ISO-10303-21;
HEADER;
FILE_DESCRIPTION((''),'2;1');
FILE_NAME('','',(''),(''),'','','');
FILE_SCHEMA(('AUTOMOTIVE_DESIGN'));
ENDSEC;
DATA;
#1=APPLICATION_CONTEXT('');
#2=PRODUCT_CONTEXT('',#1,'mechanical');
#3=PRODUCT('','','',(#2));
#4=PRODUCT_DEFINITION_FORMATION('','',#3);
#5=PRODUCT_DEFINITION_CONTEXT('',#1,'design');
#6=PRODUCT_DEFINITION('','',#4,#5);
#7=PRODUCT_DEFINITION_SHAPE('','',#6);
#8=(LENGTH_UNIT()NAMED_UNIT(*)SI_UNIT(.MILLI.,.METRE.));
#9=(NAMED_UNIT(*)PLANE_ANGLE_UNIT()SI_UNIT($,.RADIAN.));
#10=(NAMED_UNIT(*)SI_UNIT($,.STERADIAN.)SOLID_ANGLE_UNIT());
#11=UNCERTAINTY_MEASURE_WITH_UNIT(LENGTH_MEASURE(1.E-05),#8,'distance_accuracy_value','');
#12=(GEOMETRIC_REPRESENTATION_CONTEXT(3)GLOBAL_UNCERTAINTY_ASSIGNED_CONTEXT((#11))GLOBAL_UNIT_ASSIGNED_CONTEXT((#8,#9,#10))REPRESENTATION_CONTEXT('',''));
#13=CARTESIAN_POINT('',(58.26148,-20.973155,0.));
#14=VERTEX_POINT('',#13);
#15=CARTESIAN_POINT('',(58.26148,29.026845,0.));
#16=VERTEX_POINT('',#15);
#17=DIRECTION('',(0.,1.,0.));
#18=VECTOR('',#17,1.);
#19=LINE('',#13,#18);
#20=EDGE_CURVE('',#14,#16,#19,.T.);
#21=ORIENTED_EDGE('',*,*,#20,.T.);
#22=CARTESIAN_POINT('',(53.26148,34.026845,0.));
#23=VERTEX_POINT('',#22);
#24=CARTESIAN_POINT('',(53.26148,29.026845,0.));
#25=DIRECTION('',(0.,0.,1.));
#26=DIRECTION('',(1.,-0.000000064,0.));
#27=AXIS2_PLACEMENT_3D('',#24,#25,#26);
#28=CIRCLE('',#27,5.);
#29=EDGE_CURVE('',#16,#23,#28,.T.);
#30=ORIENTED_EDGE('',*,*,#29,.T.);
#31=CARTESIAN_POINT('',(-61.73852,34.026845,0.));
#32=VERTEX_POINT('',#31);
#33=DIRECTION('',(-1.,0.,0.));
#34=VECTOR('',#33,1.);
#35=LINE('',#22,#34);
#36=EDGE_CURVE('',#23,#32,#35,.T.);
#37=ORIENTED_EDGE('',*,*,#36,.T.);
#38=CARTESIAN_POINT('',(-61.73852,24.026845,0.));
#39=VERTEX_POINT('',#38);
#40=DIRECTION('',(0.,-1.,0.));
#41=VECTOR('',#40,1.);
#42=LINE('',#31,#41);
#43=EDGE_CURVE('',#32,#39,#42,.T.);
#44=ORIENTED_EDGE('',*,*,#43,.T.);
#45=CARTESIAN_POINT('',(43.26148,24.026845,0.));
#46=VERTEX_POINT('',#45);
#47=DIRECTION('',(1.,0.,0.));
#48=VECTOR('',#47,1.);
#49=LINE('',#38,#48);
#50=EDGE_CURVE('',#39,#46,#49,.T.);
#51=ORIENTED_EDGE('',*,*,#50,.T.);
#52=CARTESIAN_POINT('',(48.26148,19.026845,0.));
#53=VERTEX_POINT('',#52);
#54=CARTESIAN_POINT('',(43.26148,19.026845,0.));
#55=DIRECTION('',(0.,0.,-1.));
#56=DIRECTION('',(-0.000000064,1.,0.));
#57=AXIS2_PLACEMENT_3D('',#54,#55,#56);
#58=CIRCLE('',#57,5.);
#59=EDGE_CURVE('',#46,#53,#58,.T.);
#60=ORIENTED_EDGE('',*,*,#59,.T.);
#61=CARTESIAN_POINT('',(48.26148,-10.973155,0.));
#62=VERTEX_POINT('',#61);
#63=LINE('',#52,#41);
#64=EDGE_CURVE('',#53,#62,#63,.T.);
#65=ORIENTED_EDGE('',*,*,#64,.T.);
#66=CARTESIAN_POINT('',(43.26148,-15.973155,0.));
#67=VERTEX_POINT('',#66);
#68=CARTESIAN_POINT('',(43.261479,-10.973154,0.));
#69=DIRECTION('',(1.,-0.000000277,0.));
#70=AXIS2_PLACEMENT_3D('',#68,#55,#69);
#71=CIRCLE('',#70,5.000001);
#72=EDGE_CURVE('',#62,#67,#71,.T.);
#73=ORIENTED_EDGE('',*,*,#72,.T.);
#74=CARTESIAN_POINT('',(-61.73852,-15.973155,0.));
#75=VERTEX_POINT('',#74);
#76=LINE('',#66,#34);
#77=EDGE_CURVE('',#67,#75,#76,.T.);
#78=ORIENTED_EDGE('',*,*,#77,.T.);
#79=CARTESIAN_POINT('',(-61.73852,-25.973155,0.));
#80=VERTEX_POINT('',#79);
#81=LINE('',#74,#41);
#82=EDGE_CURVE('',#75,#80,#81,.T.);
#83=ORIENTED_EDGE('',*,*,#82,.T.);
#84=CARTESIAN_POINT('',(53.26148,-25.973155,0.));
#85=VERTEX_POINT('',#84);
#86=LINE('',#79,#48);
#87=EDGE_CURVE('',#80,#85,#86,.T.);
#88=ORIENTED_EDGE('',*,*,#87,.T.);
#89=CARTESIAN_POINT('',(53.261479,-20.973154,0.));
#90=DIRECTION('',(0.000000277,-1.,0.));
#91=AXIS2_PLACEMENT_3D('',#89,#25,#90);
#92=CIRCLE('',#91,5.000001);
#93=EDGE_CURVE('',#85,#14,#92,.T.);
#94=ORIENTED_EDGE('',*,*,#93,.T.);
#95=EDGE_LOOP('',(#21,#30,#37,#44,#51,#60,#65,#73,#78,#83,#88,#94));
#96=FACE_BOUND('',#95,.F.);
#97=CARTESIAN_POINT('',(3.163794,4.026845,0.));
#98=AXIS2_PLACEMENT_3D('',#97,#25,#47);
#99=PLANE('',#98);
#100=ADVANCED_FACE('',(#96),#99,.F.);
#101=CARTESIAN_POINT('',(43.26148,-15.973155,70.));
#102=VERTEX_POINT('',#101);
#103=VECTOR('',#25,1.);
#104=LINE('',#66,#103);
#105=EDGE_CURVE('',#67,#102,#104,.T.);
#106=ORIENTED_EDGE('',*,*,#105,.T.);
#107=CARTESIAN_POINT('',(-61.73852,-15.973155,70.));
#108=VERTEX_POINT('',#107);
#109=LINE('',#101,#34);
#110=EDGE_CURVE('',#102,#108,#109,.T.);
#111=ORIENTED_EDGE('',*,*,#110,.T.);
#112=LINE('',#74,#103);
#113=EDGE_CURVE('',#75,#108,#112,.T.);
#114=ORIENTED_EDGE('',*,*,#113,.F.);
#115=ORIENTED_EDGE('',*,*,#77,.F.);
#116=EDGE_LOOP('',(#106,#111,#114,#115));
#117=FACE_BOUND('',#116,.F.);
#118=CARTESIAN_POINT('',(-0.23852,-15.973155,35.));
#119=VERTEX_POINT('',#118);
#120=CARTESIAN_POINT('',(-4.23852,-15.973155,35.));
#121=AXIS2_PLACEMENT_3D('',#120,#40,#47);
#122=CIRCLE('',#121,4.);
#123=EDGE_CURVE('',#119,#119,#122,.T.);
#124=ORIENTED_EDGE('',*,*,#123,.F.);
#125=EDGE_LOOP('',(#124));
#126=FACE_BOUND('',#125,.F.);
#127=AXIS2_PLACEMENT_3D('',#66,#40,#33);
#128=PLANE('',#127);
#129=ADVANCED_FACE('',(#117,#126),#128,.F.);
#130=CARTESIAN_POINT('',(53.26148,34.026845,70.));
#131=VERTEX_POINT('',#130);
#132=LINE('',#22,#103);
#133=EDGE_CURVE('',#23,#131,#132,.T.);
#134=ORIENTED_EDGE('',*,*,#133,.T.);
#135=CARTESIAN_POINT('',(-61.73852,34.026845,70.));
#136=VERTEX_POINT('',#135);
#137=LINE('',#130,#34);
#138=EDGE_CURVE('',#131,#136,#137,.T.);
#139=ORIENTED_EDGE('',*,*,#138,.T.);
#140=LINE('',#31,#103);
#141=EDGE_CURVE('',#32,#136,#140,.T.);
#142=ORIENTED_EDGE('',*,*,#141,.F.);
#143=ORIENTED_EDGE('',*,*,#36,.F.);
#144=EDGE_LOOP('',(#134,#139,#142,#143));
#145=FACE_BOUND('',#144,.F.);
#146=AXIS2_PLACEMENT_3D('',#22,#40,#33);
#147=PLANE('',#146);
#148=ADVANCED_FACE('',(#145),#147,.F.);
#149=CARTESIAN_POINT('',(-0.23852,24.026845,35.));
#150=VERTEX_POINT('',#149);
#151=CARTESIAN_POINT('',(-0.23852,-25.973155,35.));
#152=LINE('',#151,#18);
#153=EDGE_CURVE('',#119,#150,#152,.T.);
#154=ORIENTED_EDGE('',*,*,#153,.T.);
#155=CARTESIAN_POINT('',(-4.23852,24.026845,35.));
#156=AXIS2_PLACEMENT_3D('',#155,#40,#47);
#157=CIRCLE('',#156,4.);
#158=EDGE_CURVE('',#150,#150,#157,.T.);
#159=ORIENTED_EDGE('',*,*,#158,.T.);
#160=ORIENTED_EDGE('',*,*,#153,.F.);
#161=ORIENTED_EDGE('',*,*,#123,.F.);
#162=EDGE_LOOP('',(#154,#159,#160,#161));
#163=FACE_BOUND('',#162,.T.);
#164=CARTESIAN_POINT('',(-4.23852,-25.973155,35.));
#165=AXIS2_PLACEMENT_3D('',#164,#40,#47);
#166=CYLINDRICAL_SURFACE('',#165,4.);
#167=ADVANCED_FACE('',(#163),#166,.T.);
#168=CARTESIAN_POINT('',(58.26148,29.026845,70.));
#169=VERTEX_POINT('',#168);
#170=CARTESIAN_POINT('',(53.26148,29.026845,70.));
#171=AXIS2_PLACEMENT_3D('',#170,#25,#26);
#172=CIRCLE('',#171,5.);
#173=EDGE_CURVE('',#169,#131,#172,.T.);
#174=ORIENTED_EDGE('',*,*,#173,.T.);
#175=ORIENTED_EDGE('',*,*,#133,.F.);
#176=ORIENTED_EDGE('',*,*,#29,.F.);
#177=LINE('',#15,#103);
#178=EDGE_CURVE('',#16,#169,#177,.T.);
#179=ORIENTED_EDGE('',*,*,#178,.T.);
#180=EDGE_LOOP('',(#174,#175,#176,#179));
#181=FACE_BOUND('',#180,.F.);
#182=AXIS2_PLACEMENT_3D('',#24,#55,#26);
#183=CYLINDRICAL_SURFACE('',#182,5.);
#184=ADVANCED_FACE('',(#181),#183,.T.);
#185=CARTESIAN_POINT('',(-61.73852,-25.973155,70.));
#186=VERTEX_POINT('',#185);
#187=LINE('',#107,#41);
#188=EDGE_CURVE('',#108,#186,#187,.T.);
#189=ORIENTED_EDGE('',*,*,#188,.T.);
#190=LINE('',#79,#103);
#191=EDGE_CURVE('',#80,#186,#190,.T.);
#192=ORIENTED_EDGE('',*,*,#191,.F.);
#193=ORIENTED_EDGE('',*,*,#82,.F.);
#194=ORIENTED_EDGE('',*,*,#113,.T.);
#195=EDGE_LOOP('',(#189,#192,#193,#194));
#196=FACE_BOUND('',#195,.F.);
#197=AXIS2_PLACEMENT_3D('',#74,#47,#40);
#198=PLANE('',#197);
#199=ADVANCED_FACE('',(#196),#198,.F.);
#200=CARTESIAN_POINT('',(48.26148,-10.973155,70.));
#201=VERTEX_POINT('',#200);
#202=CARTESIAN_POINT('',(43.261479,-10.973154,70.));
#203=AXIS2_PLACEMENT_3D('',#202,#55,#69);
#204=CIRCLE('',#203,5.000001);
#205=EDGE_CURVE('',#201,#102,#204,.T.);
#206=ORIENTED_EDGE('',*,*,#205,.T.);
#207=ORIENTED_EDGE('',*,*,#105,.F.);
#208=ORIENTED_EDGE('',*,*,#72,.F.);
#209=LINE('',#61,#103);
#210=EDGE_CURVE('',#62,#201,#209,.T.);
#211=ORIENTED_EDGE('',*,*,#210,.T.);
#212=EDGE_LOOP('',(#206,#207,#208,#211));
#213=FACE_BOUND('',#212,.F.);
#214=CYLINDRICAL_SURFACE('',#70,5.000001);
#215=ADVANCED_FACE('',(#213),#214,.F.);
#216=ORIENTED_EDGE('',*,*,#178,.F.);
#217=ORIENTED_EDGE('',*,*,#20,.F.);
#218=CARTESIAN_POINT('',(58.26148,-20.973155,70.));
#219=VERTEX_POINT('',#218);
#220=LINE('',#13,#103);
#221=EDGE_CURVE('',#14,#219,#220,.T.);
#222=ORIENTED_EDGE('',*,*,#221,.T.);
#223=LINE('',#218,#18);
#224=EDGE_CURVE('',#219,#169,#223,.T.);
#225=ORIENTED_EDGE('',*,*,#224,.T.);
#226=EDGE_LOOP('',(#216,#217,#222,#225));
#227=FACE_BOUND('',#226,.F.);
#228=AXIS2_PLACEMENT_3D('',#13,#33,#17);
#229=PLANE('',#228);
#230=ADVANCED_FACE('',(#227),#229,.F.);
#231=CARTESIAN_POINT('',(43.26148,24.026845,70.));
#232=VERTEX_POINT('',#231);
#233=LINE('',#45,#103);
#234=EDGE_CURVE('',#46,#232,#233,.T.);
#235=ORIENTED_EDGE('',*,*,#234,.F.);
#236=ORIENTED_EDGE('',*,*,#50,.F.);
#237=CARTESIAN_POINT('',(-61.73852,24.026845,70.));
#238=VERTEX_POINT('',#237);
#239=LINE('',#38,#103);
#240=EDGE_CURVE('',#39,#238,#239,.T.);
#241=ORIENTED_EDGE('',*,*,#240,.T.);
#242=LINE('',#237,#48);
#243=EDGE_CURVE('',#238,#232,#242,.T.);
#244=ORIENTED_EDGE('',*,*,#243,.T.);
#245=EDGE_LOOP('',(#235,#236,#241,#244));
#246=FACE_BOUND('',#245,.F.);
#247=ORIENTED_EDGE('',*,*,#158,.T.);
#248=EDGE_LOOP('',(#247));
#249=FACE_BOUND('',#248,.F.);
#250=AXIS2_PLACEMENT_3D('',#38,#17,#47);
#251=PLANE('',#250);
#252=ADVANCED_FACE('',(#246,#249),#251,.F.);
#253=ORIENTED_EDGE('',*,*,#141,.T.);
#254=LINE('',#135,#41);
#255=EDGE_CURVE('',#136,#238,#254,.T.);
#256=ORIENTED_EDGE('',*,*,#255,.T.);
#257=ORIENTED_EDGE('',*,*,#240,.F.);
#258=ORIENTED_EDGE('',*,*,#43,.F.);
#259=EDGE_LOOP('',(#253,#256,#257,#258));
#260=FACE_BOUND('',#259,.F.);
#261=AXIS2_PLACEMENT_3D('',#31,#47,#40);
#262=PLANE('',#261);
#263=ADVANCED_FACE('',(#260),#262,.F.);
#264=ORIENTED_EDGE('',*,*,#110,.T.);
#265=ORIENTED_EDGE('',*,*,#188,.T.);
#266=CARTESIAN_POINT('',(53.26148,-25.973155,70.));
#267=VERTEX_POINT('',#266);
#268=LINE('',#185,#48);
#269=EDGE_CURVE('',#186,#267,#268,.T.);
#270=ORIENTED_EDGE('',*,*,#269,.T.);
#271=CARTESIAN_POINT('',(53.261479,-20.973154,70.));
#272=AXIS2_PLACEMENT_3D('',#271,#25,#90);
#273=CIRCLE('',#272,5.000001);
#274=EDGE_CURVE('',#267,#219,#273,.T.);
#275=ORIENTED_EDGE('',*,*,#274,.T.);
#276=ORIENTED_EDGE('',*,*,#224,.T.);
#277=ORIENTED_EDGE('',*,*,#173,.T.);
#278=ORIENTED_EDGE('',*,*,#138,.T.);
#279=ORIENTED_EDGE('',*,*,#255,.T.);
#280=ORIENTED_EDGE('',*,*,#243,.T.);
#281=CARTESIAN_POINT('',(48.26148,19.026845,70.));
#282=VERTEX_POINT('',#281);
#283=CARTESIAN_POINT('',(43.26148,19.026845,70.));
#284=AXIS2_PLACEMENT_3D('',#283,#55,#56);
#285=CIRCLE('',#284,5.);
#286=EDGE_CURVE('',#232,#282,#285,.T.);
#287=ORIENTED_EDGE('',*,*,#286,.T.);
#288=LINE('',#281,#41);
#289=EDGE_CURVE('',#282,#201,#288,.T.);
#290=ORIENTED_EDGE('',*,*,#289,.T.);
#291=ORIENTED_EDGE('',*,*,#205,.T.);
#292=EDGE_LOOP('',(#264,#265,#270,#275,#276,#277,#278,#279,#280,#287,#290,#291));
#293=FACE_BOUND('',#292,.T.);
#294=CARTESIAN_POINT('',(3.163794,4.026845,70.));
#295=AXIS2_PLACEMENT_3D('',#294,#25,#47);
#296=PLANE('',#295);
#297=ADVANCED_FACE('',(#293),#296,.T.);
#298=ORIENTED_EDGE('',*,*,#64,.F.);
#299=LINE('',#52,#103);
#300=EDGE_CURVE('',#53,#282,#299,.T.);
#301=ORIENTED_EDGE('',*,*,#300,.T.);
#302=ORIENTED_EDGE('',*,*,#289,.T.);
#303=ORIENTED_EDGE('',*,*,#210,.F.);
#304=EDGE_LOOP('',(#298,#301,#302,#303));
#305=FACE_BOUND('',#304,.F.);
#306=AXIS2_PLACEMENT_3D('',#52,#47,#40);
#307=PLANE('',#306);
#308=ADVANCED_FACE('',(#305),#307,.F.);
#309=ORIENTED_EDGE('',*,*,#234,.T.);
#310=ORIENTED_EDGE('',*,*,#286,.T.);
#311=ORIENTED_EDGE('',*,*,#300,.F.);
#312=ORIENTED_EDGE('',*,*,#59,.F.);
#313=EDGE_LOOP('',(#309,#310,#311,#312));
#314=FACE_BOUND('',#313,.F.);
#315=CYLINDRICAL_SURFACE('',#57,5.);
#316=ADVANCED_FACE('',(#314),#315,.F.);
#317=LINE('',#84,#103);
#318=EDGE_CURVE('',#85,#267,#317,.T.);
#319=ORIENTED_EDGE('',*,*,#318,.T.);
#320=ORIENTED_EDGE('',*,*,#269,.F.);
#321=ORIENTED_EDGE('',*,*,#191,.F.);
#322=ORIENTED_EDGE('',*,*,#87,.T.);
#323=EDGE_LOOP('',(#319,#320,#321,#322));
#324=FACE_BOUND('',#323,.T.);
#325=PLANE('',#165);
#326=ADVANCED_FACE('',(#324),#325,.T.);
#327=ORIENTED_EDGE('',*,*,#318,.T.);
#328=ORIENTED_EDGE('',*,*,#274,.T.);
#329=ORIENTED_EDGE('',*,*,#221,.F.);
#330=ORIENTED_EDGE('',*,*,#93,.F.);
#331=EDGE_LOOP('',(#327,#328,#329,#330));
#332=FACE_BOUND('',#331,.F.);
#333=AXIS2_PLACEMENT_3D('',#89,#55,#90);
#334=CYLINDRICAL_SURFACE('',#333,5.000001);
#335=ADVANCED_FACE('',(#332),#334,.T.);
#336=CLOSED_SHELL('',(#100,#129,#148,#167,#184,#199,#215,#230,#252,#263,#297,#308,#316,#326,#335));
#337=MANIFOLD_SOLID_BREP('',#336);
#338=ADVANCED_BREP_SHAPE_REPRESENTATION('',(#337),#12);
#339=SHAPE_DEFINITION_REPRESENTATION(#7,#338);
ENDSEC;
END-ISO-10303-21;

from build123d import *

# Parameters (mm, degrees)
F1_DEPTH = 70
F2_R     = 4
F3_DEPTH = 50


with BuildPart() as f1:
    # F0 (on Top) → F1 (new body)
    with BuildSketch(Plane.XY):
        with BuildLine():
            Line((53.26148, 34.026845), (-61.73852, 34.026845))
            Line((-61.73852, 34.026845), (-61.73852, 24.026845))
            Line((-61.73852, 24.026845), (43.26148, 24.026845))
            ThreePointArc((43.26148, 24.026845), (46.797014, 22.562379), (48.26148, 19.026845))
            Line((48.26148, 19.026845), (48.26148, -10.973155))
            ThreePointArc((48.26148, -10.973155), (46.797014, -14.508688), (43.26148, -15.973155))
            Line((43.26148, -15.973155), (-61.73852, -15.973155))
            Line((-61.73852, -15.973155), (-61.73852, -25.973155))
            Line((-61.73852, -25.973155), (53.26148, -25.973155))
            ThreePointArc((53.26148, -25.973155), (56.797014, -24.508688), (58.26148, -20.973155))
            Line((58.26148, -20.973155), (58.26148, 29.026845))
            ThreePointArc((58.26148, 29.026845), (56.797014, 32.562379), (53.26148, 34.026845))
        make_face()
    extrude(amount=F1_DEPTH)

    # F2 (on face) → F3 (join, through all)
    with BuildSketch(Plane.XZ.offset(25.973155)):
        with Locations((-4.23852, 35)):
            Circle(F2_R)
    extrude(amount=-F3_DEPTH)


solid = f1.part
